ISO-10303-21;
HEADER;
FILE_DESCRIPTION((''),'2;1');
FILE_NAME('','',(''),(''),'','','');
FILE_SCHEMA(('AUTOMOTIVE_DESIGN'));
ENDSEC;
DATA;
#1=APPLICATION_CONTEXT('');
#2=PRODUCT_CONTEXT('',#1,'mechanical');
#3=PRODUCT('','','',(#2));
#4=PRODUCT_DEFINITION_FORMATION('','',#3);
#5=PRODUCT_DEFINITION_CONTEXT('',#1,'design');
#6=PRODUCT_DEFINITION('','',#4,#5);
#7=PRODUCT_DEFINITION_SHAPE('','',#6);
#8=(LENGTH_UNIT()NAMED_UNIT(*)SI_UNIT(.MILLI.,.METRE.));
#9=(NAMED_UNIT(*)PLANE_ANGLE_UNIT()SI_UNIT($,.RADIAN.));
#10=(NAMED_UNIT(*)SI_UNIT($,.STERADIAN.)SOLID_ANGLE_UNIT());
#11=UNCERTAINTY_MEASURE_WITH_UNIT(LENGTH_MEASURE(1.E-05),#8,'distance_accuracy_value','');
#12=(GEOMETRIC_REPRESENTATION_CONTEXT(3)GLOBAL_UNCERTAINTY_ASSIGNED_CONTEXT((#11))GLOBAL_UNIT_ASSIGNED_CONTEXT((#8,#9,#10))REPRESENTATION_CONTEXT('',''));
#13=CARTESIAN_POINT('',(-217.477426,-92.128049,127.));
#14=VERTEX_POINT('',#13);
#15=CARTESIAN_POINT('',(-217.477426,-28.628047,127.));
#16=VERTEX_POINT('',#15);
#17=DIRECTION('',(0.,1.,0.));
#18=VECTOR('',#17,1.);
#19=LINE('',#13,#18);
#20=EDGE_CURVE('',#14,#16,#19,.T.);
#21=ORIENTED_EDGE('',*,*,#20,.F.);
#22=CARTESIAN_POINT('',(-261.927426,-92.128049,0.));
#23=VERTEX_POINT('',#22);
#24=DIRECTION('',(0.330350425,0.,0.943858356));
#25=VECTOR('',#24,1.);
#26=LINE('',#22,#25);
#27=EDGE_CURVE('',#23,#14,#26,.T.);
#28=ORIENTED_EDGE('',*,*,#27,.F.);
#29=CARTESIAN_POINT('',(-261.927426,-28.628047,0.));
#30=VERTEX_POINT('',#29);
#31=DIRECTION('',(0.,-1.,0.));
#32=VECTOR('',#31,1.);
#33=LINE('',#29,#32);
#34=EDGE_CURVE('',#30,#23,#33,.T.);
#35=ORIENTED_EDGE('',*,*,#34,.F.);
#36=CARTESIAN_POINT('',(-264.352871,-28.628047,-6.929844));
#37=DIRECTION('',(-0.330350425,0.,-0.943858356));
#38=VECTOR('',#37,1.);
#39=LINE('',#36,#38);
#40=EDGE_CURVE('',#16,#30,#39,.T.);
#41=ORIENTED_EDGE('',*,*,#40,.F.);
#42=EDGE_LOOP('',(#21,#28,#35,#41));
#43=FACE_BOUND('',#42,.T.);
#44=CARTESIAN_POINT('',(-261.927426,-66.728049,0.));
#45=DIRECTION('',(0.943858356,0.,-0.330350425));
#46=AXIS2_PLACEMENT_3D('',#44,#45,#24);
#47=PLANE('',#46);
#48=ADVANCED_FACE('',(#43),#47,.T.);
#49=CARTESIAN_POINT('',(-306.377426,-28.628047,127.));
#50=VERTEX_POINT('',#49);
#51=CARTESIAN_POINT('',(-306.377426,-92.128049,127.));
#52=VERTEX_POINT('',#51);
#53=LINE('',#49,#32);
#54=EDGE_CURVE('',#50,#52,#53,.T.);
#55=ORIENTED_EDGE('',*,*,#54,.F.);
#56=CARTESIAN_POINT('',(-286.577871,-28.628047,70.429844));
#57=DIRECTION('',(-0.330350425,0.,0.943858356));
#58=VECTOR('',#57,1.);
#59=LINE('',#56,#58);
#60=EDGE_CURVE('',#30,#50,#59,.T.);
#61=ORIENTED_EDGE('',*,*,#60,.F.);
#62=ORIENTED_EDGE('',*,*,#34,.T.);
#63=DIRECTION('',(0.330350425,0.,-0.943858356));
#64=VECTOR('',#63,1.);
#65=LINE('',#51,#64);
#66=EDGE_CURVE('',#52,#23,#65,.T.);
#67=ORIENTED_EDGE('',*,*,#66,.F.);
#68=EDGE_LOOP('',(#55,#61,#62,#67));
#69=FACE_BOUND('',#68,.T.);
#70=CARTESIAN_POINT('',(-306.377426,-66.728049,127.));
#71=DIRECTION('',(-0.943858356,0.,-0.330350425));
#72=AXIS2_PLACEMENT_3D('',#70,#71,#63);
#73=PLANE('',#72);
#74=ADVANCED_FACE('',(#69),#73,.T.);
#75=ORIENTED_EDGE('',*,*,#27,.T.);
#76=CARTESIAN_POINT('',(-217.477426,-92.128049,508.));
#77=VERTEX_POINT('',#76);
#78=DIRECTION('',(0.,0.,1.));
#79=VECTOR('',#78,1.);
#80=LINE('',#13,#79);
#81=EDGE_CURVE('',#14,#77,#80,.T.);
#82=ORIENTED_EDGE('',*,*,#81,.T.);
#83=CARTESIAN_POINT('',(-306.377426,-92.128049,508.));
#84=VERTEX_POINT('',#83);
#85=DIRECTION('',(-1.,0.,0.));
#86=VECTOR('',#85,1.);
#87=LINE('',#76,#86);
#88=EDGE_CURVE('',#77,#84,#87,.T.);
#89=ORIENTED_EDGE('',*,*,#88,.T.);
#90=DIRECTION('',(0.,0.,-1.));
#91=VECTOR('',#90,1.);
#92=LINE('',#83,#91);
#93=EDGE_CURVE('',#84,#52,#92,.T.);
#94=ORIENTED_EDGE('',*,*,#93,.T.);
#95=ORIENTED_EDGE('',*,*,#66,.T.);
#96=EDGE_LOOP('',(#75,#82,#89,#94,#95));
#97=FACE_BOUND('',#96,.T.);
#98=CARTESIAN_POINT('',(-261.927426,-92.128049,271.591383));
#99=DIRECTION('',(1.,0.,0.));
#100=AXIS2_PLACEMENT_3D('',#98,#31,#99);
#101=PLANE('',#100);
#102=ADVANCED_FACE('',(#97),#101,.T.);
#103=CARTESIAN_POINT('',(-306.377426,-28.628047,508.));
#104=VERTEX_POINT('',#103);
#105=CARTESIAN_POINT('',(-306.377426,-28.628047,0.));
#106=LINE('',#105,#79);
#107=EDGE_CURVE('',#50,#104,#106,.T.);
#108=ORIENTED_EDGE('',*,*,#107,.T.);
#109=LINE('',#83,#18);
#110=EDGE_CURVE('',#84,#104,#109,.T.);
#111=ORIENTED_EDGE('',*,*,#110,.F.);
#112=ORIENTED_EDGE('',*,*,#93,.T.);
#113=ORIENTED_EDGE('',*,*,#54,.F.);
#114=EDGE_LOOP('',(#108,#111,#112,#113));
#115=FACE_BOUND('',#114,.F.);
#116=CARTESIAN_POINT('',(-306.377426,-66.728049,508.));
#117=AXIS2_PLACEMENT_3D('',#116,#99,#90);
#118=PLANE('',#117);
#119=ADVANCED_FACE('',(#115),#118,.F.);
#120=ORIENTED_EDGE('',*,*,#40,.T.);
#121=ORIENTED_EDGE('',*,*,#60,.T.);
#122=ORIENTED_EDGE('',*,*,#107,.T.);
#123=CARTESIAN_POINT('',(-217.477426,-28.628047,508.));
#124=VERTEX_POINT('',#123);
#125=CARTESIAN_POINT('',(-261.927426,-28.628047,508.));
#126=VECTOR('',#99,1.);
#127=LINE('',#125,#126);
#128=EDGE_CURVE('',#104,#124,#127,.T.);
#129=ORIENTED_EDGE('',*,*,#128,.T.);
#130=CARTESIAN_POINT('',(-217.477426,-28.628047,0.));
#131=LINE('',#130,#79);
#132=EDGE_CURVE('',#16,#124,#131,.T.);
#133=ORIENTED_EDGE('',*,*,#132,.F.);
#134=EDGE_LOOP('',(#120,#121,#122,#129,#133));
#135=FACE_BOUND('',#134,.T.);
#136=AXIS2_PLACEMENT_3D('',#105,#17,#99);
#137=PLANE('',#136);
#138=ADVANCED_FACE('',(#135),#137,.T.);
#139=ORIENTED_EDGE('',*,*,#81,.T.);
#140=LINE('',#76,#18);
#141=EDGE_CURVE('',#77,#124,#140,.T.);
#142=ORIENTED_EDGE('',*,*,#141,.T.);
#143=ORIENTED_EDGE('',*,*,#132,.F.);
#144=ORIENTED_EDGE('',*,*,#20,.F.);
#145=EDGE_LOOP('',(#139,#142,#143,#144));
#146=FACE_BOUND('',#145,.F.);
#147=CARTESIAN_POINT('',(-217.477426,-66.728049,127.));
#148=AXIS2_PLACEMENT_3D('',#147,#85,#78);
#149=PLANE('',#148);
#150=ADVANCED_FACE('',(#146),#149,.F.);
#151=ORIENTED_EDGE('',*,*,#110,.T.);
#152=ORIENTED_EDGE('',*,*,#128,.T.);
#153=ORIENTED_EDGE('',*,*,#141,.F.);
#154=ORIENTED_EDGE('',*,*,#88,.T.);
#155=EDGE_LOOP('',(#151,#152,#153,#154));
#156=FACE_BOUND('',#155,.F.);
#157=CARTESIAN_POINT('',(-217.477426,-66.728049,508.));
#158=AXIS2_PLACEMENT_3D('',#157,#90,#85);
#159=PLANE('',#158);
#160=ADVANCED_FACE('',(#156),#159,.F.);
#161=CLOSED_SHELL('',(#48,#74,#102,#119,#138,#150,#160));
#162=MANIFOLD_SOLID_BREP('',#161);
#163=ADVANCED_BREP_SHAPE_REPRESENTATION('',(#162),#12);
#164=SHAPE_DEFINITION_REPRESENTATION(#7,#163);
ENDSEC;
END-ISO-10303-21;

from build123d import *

# Parameters (mm, degrees)
F0_W     = 88.9
F0_H     = 38.1000016469
F1_DEPTH = 508
F3_DEPTH = 25.4
F4_DEPTH = 38.1010016469


with BuildPart() as f1:
    # F0 (on Top) → F1 (new body)
    with BuildSketch(Plane.XY):
        with Locations((-261.9274258614, -47.6780477911)):
            Rectangle(F0_W, F0_H)
    extrude(amount=F1_DEPTH)

    # F2 (on face) → F3 (join)
    with BuildSketch(Plane.XZ.offset(66.7280486146)):
        Polygon((-306.3774258614, 508), (-306.3774258614, 127), (-261.9274258614, 0), (-217.4774258614, 127), (-217.4774258614, 508), align=None)
    extrude(amount=F3_DEPTH)

    # F4 (cut, through all): faces of the model
    f4_faces = [f1.faces().sort_by_distance(p)[0] for p in [
        (-291.5607591947, -66.7280486146, 42.3333333333),
        (-232.294092528, -66.7280486146, 42.3333333333),
    ]]
    extrude(f4_faces, amount=-F4_DEPTH, mode=Mode.SUBTRACT)


solid = f1.part
